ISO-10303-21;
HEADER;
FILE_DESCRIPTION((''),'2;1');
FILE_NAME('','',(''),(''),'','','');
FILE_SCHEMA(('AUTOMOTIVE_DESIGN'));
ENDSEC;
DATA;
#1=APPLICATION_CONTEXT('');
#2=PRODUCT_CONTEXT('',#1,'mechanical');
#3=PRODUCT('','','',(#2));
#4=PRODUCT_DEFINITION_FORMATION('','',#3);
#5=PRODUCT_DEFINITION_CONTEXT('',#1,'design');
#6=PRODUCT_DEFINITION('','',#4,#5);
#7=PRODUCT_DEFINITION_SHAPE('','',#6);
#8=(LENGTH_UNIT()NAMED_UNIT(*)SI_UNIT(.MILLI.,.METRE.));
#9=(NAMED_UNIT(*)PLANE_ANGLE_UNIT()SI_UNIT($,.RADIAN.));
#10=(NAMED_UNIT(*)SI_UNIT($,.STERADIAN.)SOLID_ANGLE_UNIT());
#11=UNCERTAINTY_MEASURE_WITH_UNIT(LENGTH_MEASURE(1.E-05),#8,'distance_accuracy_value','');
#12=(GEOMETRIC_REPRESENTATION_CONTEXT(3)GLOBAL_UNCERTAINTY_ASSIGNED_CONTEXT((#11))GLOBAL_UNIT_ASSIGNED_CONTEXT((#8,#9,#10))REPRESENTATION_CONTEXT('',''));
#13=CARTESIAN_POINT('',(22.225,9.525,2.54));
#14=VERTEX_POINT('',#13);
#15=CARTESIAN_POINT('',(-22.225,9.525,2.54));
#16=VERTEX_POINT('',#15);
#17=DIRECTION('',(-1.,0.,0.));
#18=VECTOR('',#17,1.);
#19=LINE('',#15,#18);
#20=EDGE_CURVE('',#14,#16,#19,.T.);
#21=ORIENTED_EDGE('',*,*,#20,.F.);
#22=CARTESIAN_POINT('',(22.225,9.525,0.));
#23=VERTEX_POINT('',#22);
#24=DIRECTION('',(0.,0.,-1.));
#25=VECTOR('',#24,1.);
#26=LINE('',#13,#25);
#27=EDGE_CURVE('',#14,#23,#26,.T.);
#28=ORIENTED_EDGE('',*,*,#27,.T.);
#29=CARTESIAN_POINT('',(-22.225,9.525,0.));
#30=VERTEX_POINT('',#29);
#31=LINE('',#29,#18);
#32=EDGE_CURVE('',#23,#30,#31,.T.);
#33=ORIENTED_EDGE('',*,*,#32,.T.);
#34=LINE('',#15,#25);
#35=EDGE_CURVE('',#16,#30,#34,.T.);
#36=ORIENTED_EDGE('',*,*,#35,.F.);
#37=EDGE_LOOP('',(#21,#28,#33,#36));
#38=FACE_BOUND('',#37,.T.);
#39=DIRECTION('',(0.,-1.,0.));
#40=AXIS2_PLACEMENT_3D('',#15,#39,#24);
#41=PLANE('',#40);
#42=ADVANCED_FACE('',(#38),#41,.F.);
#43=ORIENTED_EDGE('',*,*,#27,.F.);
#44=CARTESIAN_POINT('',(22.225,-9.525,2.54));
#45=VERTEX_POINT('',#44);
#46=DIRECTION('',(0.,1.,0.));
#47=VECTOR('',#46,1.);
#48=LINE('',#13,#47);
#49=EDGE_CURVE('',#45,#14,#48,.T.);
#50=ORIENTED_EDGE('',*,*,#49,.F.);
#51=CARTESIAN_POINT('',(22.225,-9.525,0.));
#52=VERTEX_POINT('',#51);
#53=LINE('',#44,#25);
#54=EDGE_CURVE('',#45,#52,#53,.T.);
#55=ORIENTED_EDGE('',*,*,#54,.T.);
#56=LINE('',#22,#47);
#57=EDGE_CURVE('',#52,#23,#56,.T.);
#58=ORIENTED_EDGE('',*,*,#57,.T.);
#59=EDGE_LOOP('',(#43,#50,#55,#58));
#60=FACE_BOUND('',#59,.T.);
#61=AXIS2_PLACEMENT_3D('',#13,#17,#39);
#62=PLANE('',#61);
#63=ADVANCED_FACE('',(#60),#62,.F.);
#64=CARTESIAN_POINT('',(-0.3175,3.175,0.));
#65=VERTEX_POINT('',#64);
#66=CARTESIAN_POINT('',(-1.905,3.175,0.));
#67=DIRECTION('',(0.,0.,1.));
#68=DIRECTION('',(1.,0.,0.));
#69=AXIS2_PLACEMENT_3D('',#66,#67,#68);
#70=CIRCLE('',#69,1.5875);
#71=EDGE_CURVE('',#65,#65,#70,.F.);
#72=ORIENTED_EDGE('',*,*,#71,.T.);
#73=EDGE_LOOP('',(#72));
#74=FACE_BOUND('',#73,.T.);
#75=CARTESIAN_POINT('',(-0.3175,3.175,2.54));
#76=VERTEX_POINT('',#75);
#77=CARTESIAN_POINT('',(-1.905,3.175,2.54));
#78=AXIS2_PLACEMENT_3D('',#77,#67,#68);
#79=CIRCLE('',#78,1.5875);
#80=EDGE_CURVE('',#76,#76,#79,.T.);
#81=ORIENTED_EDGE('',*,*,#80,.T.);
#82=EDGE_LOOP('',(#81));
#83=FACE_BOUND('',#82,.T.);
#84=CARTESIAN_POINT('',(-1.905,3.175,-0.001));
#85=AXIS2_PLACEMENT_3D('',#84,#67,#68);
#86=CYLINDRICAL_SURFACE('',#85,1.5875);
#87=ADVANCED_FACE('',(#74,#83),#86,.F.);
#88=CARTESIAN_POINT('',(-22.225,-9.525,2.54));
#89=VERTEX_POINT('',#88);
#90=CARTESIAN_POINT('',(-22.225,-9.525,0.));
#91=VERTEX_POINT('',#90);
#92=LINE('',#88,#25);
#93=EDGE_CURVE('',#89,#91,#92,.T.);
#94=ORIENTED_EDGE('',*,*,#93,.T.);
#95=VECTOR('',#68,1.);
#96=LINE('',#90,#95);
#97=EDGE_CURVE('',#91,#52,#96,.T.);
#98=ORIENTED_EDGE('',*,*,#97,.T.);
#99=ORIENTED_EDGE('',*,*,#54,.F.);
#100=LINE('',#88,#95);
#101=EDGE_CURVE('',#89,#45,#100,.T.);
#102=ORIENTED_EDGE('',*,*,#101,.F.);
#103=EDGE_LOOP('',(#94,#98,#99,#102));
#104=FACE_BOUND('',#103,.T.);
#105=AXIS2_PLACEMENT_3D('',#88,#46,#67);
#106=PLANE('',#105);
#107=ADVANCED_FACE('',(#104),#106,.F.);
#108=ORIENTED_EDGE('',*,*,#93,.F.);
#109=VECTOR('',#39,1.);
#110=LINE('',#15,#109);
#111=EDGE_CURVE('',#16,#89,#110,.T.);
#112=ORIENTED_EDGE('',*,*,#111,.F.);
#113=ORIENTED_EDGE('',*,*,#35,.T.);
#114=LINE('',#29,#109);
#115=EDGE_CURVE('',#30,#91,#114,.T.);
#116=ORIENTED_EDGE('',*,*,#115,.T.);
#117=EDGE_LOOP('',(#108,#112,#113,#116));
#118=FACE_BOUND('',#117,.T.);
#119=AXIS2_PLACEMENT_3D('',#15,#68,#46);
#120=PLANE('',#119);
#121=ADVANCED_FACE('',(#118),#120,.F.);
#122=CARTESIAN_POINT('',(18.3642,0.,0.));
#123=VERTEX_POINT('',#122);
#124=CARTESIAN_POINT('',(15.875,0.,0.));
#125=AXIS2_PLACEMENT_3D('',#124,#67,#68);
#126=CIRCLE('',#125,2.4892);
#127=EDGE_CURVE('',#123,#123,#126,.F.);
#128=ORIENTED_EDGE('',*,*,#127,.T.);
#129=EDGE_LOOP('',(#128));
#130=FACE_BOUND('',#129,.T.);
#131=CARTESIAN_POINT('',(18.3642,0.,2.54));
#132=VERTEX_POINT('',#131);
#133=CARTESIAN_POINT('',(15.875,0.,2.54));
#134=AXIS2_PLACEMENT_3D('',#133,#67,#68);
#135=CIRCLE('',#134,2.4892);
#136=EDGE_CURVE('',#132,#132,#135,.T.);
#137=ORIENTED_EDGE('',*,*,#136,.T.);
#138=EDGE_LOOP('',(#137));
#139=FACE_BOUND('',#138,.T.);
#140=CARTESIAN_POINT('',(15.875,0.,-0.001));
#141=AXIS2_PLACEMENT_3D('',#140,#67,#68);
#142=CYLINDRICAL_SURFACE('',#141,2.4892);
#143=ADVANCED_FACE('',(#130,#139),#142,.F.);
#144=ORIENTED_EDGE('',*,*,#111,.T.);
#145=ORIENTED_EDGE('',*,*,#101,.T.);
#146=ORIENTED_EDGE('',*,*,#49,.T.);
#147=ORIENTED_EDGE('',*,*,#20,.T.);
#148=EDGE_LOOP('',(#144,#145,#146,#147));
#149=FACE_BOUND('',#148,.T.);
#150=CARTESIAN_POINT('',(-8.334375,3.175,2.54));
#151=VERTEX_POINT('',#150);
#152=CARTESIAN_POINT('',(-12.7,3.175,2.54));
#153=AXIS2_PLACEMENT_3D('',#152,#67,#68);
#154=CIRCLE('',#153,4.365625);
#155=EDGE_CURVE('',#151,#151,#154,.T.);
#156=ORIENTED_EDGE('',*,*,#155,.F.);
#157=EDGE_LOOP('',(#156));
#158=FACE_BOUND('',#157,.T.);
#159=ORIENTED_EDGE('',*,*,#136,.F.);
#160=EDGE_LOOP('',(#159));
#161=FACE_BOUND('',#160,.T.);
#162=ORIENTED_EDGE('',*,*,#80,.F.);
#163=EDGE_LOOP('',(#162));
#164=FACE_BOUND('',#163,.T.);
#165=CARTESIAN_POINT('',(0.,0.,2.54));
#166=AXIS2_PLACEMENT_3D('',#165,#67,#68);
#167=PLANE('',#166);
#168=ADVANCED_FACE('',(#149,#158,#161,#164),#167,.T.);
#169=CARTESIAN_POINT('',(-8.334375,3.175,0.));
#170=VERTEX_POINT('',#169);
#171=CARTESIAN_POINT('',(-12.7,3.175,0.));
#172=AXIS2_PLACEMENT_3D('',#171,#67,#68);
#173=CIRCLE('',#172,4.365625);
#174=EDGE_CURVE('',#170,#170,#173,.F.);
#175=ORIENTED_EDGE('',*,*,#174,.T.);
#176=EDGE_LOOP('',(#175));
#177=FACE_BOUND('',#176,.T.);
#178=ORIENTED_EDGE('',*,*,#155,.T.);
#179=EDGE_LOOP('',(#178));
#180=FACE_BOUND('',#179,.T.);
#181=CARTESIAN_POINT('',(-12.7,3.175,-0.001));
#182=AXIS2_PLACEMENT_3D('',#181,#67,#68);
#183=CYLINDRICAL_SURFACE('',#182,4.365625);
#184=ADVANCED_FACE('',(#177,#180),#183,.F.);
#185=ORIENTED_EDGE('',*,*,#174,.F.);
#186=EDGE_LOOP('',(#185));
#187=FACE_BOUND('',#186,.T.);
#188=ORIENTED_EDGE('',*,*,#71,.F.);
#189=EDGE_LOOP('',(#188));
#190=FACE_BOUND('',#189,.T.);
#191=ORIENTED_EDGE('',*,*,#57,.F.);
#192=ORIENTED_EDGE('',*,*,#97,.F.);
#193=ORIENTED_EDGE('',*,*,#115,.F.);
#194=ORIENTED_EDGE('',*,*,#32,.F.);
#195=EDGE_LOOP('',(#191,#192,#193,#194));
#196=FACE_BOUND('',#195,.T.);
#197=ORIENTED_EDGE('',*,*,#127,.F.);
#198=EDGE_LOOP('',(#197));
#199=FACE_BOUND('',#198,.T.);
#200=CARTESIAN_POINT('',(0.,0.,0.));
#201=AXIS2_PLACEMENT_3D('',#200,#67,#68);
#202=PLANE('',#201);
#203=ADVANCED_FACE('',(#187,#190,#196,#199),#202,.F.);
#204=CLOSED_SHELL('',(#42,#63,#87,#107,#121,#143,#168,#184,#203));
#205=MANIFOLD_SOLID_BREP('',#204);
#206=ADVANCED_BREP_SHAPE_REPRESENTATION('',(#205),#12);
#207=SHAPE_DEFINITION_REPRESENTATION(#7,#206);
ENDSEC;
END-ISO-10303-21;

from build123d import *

# Parameters (mm, degrees)
SKETCH1_W           = 44.45
SKETCH1_H           = 19.05
BOSS_EXTRUDE1_DEPTH = 2.54
CUT_EXTRUDE1_REACH  = 26.313
SKETCH2_R           = 4.365625
SKETCH2_R_2         = 1.5875
SKETCH2_R_3         = 2.4892


with BuildPart() as part:
    # Sketch1 → Boss-Extrude1 (new body)
    with BuildSketch(Plane.XY):
        Rectangle(SKETCH1_W, SKETCH1_H)
    extrude(amount=BOSS_EXTRUDE1_DEPTH)

    # Sketch2 → Cut-Extrude1 (cut, up to next)
    with BuildSketch(Plane.XY.offset(2.54), mode=Mode.PRIVATE) as cut_extrude1_sk1:
        with Locations((-12.7, 3.175)):
            Circle(SKETCH2_R)
    cut_extrude1_tool1 = extrude(cut_extrude1_sk1.sketch, amount=-CUT_EXTRUDE1_REACH, mode=Mode.PRIVATE) & part.part
    # Sketch2 → Cut-Extrude1 (cut, up to next)
    with BuildSketch(Plane.XY.offset(2.54), mode=Mode.PRIVATE) as cut_extrude1_sk2:
        with Locations((-1.905, 3.175)):
            Circle(SKETCH2_R_2)
    cut_extrude1_tool2 = extrude(cut_extrude1_sk2.sketch, amount=-CUT_EXTRUDE1_REACH, mode=Mode.PRIVATE) & part.part
    # Sketch2 → Cut-Extrude1 (cut, up to next)
    with BuildSketch(Plane.XY.offset(2.54), mode=Mode.PRIVATE) as cut_extrude1_sk3:
        with Locations((15.875, 0)):
            Circle(SKETCH2_R_3)
    cut_extrude1_tool3 = extrude(cut_extrude1_sk3.sketch, amount=-CUT_EXTRUDE1_REACH, mode=Mode.PRIVATE) & part.part
    add(cut_extrude1_tool1.solids().sort_by_distance((-12.7, 3.175, 2.54))[0], mode=Mode.SUBTRACT)
    add(cut_extrude1_tool2.solids().sort_by_distance((-1.905, 3.175, 2.54))[0], mode=Mode.SUBTRACT)
    add(cut_extrude1_tool3.solids().sort_by_distance((15.875, 0, 2.54))[0], mode=Mode.SUBTRACT)


solid = part.part
